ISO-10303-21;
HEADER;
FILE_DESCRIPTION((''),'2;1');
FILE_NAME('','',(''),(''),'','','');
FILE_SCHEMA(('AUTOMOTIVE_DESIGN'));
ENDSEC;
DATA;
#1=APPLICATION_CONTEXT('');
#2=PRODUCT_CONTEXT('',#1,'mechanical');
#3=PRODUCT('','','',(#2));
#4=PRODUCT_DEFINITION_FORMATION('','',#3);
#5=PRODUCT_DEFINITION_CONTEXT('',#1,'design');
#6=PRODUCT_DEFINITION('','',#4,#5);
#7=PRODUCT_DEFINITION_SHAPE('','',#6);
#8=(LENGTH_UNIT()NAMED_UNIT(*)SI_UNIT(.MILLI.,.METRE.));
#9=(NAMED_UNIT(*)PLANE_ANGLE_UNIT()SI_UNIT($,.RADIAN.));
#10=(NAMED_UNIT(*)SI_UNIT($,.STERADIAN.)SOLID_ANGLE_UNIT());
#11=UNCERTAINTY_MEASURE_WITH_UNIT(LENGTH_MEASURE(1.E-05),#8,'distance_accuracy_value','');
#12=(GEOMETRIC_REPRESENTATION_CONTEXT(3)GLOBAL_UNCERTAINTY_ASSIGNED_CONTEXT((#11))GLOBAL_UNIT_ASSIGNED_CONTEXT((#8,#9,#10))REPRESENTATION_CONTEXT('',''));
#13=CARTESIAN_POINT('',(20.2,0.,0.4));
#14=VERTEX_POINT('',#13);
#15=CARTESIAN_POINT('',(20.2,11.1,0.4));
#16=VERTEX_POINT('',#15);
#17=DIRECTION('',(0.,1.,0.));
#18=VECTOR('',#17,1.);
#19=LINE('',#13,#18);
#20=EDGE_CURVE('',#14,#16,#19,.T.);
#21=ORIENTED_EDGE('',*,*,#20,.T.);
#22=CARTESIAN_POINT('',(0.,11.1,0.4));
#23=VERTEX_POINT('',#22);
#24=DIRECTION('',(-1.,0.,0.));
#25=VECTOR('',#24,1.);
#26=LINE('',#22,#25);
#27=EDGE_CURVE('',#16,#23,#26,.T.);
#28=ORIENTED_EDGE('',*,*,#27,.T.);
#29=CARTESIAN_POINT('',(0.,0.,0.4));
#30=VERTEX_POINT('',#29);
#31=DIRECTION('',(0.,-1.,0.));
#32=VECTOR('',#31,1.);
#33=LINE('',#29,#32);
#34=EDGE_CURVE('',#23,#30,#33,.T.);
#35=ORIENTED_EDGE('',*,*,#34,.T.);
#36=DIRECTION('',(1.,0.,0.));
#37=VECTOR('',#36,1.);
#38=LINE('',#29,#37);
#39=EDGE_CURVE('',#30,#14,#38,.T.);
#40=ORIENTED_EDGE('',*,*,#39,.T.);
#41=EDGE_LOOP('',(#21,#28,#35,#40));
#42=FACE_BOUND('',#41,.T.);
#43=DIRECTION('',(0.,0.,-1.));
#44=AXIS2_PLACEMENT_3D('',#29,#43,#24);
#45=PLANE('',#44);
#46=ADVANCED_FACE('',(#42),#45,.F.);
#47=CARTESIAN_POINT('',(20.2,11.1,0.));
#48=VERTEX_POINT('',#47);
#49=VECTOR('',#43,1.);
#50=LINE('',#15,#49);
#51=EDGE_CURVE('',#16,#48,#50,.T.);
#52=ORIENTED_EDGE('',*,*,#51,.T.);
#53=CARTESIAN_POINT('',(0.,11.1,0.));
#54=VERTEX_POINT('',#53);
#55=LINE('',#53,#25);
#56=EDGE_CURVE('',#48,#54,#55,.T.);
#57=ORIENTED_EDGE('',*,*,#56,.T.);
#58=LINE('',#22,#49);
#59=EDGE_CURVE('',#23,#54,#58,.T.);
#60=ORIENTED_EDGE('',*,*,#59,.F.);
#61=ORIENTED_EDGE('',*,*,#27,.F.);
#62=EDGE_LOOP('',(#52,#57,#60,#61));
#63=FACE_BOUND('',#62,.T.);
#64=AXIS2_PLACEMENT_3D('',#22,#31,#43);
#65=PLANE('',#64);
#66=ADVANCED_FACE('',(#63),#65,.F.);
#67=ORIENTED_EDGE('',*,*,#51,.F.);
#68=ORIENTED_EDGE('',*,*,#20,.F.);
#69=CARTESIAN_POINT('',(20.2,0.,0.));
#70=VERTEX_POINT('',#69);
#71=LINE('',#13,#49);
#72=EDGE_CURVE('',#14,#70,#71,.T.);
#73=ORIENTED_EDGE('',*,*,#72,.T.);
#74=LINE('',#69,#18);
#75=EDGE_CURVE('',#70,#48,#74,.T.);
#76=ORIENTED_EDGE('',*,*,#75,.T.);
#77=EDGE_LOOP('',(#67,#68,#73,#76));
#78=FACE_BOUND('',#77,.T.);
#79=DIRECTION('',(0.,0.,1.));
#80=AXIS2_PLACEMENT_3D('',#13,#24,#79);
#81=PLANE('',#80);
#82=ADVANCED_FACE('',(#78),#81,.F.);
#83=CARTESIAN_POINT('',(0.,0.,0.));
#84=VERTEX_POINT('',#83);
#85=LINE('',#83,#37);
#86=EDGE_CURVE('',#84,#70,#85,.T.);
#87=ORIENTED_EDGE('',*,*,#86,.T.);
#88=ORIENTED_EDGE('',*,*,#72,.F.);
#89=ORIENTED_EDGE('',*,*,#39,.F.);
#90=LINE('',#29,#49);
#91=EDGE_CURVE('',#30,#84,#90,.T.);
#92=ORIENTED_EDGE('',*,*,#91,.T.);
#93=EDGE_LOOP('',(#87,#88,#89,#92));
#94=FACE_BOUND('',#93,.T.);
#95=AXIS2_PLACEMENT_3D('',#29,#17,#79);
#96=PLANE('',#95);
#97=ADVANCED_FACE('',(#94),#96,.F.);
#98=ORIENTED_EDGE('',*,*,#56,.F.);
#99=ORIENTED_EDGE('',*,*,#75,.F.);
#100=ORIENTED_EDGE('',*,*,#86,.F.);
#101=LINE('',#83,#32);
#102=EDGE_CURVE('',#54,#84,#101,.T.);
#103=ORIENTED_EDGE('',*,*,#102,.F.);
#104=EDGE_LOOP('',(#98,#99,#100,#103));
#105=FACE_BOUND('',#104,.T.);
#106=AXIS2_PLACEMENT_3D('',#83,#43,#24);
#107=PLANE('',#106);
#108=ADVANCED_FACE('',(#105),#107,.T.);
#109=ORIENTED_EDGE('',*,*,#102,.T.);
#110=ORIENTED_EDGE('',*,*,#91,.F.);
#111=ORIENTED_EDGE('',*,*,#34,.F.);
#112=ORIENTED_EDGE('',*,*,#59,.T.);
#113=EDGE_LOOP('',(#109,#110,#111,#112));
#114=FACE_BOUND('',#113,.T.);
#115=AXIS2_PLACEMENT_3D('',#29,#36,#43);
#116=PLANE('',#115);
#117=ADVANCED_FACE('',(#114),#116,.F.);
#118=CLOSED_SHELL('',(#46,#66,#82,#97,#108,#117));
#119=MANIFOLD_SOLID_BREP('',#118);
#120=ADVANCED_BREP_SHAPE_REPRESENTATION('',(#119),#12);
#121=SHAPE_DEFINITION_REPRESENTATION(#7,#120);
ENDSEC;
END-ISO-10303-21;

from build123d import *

# Parameters (mm, degrees)
ESBO_O1_W                = 20.2
ESBO_O1_H                = 11.1
RESSALTO_EXTRUS_O1_DEPTH = 0.4


with BuildPart() as part:
    # Esboço1 → Ressalto-extrusão1 (new body)
    with BuildSketch(Plane.XY):
        with Locations((10.1, 5.55)):
            Rectangle(ESBO_O1_W, ESBO_O1_H)
    extrude(amount=RESSALTO_EXTRUS_O1_DEPTH)


solid = part.part
